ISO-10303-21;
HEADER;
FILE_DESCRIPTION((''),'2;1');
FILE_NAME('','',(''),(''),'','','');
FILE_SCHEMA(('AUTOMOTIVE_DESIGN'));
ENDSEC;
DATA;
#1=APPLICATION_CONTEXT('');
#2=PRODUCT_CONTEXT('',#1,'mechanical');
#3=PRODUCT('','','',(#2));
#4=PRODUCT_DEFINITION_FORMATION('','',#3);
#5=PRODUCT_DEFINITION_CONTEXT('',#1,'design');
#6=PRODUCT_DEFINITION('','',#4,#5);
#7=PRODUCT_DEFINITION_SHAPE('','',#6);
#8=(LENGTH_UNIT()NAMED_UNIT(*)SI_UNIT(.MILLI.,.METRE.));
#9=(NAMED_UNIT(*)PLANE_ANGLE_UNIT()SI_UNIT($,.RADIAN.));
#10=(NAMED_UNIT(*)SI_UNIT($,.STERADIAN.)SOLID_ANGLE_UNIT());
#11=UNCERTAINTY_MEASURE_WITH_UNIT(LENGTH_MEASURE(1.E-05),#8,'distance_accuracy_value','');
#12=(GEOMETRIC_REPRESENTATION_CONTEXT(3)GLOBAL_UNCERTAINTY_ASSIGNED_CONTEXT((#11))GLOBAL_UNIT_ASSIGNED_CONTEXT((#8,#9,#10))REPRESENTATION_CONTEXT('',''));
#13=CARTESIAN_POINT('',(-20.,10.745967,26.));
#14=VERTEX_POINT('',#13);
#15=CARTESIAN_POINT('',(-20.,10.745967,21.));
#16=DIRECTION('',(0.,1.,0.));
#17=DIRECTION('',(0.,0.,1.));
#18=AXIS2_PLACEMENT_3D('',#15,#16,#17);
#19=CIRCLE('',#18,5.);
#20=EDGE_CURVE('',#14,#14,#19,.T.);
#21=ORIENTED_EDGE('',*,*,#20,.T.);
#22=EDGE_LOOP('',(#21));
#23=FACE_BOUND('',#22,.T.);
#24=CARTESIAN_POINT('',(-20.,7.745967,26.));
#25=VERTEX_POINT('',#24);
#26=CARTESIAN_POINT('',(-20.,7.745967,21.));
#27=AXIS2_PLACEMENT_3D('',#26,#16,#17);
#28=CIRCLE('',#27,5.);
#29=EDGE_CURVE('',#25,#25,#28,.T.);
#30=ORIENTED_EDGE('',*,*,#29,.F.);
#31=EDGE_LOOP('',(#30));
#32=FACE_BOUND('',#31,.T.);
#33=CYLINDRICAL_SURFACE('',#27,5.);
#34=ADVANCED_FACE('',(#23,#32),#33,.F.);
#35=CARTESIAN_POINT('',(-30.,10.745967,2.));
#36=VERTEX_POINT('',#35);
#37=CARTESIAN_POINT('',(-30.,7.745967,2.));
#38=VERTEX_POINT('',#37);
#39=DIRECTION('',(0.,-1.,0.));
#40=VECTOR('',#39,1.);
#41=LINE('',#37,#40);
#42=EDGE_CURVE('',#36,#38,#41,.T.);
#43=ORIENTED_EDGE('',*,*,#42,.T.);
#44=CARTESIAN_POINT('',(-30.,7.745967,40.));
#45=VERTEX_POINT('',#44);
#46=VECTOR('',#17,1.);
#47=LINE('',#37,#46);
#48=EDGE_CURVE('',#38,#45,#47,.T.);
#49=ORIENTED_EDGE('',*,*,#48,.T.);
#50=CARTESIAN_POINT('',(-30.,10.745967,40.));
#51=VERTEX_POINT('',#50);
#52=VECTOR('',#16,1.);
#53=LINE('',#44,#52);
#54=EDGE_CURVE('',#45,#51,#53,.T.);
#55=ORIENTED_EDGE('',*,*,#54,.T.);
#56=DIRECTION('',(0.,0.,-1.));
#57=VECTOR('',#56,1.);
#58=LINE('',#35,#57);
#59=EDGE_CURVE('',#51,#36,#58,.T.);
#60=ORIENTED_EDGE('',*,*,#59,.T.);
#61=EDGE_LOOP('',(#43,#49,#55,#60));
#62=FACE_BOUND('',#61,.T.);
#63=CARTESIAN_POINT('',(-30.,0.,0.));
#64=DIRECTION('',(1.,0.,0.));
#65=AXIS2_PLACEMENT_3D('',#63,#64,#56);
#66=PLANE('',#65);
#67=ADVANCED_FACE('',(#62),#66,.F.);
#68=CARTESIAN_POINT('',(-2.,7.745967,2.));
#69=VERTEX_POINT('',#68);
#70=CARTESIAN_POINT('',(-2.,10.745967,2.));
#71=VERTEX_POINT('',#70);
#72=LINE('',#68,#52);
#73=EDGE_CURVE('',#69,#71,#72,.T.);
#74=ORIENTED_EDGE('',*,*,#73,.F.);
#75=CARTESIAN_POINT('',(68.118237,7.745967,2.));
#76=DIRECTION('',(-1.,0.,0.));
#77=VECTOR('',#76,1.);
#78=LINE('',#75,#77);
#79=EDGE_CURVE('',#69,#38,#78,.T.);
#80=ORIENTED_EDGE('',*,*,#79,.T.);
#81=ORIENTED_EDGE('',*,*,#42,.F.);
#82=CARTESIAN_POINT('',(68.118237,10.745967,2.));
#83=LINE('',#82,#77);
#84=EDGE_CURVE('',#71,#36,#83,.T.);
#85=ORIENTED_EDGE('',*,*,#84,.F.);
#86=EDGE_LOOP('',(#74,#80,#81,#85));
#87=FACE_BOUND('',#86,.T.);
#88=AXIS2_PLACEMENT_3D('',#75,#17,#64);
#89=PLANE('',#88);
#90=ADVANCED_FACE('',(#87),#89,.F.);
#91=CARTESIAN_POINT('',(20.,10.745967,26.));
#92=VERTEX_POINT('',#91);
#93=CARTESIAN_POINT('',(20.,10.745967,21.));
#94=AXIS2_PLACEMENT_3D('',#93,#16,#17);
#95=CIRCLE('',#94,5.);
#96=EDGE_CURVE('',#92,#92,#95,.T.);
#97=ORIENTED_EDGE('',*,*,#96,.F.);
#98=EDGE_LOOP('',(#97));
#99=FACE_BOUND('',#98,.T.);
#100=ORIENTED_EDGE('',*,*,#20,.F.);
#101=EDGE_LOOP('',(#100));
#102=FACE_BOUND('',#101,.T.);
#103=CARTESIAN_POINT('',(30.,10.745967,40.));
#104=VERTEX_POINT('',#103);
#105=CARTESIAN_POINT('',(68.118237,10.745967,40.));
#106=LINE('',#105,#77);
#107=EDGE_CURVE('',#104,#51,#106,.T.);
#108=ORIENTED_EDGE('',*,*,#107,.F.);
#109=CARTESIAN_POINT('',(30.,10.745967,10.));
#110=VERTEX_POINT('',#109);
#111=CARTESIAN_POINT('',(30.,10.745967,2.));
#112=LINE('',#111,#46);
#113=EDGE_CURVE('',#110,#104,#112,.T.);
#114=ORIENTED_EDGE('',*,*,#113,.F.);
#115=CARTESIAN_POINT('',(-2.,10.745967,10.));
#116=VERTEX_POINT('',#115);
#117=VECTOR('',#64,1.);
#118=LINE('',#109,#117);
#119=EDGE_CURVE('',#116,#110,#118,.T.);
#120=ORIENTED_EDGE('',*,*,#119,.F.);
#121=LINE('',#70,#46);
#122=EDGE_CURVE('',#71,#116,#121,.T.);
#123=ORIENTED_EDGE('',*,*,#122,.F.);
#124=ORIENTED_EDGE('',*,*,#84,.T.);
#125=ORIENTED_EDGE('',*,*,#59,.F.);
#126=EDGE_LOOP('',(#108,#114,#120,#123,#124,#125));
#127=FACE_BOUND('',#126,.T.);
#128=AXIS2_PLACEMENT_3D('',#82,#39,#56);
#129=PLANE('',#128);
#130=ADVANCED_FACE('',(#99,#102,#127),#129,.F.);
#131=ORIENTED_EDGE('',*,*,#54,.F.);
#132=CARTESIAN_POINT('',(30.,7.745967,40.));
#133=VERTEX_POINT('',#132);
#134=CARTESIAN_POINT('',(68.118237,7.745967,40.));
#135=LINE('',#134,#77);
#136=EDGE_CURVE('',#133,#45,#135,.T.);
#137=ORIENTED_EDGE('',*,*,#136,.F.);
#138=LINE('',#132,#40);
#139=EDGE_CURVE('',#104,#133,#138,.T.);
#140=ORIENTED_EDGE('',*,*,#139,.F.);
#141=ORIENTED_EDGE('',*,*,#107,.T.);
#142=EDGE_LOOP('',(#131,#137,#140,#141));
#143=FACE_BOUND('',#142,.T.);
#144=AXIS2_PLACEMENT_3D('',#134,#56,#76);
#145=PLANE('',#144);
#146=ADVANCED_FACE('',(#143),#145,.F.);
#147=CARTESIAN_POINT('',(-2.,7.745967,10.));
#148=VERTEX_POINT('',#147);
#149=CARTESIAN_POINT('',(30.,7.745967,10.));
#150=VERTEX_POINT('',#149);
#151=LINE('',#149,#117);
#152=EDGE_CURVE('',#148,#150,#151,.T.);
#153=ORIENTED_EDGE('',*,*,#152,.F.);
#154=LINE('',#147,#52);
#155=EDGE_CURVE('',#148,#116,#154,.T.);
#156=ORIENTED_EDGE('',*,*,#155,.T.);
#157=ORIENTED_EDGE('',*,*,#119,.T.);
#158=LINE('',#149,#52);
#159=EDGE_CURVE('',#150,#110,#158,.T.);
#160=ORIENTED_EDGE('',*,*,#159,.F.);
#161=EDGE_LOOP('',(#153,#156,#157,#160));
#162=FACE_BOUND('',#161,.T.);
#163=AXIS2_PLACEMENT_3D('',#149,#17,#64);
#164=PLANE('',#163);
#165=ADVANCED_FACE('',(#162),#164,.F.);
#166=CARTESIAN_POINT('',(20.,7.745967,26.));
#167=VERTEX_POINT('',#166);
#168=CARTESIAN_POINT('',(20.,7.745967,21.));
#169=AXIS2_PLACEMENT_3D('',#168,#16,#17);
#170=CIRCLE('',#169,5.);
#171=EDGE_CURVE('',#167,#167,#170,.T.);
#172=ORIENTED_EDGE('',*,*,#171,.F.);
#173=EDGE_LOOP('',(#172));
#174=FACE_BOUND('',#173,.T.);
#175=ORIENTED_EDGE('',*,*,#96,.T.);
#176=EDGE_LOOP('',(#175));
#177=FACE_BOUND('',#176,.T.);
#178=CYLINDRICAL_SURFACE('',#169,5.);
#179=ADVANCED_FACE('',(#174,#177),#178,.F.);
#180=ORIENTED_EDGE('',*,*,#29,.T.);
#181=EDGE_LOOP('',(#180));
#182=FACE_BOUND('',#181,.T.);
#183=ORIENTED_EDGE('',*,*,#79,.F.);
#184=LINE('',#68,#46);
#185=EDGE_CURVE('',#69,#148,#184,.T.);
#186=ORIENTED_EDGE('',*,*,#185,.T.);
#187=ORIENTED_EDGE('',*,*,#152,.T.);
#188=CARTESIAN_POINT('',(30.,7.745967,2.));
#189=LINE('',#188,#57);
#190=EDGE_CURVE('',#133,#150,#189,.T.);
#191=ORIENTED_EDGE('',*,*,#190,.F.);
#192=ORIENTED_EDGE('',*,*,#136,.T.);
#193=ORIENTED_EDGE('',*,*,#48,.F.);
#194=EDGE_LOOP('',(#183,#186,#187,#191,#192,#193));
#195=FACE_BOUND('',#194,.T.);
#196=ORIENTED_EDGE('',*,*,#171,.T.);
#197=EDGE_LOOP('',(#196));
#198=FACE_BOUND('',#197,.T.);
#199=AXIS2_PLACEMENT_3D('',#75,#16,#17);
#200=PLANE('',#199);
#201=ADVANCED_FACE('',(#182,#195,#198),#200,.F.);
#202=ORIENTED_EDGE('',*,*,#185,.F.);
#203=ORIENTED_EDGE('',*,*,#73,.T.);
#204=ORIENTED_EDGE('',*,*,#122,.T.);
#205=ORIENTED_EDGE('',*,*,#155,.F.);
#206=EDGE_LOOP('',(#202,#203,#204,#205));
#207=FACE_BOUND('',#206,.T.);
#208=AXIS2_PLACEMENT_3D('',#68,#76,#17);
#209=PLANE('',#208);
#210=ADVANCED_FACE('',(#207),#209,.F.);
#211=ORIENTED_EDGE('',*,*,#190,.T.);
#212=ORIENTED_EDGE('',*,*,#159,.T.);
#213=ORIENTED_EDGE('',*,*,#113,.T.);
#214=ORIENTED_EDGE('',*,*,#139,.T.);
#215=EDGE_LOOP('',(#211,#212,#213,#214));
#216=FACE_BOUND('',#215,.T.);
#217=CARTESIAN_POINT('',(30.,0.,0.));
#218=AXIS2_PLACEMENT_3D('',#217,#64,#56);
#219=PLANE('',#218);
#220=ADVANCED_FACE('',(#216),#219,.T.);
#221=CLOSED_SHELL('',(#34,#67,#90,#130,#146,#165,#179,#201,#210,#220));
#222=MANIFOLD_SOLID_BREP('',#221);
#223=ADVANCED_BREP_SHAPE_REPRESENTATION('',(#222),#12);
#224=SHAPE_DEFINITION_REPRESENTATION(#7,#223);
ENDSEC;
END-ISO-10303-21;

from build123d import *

# Parameters (mm, degrees)
EXTRUDE_1_DEPTH      = 30
EXTRUDE_1_DEPTH_BACK = 30
SKETCH_1_W           = 38
SKETCH_1_H           = 3
SKETCH_2_R           = 5
SKETCH_2_W           = 32
SKETCH_2_H           = 8
CUT_EXTRUDE_1_DEPTH  = 51.089919145


with BuildPart() as part:
    # Эскиз1 → Бобышка-Вытянуть1 (new, two sides: drawn at the far end of the back side and taken through both)
    with BuildSketch(Plane(origin=(0, 0, 0), x_dir=(0, 0, -1), z_dir=(1, 0, 0)).offset(-EXTRUDE_1_DEPTH_BACK)):
        with Locations((-21, 9.245966692)):
            Rectangle(SKETCH_1_W, SKETCH_1_H)
    extrude(amount=EXTRUDE_1_DEPTH + EXTRUDE_1_DEPTH_BACK)

    # Эскиз2 → Вырез-Вытянуть1 (cut, through all)
    with BuildSketch(Plane(origin=(0, 10.745966692, 0), x_dir=(1, 0, 0), z_dir=(0, 1, 0))):
        with Locations(Location((-20, -21, 0), (0, 0, 270))):
            Circle(SKETCH_2_R)
        with Locations(Location((20, -21, 0), (0, 0, 270))):
            Circle(SKETCH_2_R)
        with Locations((14, -6)):
            Rectangle(SKETCH_2_W, SKETCH_2_H)
    extrude(amount=-CUT_EXTRUDE_1_DEPTH, mode=Mode.SUBTRACT)


solid = part.part
